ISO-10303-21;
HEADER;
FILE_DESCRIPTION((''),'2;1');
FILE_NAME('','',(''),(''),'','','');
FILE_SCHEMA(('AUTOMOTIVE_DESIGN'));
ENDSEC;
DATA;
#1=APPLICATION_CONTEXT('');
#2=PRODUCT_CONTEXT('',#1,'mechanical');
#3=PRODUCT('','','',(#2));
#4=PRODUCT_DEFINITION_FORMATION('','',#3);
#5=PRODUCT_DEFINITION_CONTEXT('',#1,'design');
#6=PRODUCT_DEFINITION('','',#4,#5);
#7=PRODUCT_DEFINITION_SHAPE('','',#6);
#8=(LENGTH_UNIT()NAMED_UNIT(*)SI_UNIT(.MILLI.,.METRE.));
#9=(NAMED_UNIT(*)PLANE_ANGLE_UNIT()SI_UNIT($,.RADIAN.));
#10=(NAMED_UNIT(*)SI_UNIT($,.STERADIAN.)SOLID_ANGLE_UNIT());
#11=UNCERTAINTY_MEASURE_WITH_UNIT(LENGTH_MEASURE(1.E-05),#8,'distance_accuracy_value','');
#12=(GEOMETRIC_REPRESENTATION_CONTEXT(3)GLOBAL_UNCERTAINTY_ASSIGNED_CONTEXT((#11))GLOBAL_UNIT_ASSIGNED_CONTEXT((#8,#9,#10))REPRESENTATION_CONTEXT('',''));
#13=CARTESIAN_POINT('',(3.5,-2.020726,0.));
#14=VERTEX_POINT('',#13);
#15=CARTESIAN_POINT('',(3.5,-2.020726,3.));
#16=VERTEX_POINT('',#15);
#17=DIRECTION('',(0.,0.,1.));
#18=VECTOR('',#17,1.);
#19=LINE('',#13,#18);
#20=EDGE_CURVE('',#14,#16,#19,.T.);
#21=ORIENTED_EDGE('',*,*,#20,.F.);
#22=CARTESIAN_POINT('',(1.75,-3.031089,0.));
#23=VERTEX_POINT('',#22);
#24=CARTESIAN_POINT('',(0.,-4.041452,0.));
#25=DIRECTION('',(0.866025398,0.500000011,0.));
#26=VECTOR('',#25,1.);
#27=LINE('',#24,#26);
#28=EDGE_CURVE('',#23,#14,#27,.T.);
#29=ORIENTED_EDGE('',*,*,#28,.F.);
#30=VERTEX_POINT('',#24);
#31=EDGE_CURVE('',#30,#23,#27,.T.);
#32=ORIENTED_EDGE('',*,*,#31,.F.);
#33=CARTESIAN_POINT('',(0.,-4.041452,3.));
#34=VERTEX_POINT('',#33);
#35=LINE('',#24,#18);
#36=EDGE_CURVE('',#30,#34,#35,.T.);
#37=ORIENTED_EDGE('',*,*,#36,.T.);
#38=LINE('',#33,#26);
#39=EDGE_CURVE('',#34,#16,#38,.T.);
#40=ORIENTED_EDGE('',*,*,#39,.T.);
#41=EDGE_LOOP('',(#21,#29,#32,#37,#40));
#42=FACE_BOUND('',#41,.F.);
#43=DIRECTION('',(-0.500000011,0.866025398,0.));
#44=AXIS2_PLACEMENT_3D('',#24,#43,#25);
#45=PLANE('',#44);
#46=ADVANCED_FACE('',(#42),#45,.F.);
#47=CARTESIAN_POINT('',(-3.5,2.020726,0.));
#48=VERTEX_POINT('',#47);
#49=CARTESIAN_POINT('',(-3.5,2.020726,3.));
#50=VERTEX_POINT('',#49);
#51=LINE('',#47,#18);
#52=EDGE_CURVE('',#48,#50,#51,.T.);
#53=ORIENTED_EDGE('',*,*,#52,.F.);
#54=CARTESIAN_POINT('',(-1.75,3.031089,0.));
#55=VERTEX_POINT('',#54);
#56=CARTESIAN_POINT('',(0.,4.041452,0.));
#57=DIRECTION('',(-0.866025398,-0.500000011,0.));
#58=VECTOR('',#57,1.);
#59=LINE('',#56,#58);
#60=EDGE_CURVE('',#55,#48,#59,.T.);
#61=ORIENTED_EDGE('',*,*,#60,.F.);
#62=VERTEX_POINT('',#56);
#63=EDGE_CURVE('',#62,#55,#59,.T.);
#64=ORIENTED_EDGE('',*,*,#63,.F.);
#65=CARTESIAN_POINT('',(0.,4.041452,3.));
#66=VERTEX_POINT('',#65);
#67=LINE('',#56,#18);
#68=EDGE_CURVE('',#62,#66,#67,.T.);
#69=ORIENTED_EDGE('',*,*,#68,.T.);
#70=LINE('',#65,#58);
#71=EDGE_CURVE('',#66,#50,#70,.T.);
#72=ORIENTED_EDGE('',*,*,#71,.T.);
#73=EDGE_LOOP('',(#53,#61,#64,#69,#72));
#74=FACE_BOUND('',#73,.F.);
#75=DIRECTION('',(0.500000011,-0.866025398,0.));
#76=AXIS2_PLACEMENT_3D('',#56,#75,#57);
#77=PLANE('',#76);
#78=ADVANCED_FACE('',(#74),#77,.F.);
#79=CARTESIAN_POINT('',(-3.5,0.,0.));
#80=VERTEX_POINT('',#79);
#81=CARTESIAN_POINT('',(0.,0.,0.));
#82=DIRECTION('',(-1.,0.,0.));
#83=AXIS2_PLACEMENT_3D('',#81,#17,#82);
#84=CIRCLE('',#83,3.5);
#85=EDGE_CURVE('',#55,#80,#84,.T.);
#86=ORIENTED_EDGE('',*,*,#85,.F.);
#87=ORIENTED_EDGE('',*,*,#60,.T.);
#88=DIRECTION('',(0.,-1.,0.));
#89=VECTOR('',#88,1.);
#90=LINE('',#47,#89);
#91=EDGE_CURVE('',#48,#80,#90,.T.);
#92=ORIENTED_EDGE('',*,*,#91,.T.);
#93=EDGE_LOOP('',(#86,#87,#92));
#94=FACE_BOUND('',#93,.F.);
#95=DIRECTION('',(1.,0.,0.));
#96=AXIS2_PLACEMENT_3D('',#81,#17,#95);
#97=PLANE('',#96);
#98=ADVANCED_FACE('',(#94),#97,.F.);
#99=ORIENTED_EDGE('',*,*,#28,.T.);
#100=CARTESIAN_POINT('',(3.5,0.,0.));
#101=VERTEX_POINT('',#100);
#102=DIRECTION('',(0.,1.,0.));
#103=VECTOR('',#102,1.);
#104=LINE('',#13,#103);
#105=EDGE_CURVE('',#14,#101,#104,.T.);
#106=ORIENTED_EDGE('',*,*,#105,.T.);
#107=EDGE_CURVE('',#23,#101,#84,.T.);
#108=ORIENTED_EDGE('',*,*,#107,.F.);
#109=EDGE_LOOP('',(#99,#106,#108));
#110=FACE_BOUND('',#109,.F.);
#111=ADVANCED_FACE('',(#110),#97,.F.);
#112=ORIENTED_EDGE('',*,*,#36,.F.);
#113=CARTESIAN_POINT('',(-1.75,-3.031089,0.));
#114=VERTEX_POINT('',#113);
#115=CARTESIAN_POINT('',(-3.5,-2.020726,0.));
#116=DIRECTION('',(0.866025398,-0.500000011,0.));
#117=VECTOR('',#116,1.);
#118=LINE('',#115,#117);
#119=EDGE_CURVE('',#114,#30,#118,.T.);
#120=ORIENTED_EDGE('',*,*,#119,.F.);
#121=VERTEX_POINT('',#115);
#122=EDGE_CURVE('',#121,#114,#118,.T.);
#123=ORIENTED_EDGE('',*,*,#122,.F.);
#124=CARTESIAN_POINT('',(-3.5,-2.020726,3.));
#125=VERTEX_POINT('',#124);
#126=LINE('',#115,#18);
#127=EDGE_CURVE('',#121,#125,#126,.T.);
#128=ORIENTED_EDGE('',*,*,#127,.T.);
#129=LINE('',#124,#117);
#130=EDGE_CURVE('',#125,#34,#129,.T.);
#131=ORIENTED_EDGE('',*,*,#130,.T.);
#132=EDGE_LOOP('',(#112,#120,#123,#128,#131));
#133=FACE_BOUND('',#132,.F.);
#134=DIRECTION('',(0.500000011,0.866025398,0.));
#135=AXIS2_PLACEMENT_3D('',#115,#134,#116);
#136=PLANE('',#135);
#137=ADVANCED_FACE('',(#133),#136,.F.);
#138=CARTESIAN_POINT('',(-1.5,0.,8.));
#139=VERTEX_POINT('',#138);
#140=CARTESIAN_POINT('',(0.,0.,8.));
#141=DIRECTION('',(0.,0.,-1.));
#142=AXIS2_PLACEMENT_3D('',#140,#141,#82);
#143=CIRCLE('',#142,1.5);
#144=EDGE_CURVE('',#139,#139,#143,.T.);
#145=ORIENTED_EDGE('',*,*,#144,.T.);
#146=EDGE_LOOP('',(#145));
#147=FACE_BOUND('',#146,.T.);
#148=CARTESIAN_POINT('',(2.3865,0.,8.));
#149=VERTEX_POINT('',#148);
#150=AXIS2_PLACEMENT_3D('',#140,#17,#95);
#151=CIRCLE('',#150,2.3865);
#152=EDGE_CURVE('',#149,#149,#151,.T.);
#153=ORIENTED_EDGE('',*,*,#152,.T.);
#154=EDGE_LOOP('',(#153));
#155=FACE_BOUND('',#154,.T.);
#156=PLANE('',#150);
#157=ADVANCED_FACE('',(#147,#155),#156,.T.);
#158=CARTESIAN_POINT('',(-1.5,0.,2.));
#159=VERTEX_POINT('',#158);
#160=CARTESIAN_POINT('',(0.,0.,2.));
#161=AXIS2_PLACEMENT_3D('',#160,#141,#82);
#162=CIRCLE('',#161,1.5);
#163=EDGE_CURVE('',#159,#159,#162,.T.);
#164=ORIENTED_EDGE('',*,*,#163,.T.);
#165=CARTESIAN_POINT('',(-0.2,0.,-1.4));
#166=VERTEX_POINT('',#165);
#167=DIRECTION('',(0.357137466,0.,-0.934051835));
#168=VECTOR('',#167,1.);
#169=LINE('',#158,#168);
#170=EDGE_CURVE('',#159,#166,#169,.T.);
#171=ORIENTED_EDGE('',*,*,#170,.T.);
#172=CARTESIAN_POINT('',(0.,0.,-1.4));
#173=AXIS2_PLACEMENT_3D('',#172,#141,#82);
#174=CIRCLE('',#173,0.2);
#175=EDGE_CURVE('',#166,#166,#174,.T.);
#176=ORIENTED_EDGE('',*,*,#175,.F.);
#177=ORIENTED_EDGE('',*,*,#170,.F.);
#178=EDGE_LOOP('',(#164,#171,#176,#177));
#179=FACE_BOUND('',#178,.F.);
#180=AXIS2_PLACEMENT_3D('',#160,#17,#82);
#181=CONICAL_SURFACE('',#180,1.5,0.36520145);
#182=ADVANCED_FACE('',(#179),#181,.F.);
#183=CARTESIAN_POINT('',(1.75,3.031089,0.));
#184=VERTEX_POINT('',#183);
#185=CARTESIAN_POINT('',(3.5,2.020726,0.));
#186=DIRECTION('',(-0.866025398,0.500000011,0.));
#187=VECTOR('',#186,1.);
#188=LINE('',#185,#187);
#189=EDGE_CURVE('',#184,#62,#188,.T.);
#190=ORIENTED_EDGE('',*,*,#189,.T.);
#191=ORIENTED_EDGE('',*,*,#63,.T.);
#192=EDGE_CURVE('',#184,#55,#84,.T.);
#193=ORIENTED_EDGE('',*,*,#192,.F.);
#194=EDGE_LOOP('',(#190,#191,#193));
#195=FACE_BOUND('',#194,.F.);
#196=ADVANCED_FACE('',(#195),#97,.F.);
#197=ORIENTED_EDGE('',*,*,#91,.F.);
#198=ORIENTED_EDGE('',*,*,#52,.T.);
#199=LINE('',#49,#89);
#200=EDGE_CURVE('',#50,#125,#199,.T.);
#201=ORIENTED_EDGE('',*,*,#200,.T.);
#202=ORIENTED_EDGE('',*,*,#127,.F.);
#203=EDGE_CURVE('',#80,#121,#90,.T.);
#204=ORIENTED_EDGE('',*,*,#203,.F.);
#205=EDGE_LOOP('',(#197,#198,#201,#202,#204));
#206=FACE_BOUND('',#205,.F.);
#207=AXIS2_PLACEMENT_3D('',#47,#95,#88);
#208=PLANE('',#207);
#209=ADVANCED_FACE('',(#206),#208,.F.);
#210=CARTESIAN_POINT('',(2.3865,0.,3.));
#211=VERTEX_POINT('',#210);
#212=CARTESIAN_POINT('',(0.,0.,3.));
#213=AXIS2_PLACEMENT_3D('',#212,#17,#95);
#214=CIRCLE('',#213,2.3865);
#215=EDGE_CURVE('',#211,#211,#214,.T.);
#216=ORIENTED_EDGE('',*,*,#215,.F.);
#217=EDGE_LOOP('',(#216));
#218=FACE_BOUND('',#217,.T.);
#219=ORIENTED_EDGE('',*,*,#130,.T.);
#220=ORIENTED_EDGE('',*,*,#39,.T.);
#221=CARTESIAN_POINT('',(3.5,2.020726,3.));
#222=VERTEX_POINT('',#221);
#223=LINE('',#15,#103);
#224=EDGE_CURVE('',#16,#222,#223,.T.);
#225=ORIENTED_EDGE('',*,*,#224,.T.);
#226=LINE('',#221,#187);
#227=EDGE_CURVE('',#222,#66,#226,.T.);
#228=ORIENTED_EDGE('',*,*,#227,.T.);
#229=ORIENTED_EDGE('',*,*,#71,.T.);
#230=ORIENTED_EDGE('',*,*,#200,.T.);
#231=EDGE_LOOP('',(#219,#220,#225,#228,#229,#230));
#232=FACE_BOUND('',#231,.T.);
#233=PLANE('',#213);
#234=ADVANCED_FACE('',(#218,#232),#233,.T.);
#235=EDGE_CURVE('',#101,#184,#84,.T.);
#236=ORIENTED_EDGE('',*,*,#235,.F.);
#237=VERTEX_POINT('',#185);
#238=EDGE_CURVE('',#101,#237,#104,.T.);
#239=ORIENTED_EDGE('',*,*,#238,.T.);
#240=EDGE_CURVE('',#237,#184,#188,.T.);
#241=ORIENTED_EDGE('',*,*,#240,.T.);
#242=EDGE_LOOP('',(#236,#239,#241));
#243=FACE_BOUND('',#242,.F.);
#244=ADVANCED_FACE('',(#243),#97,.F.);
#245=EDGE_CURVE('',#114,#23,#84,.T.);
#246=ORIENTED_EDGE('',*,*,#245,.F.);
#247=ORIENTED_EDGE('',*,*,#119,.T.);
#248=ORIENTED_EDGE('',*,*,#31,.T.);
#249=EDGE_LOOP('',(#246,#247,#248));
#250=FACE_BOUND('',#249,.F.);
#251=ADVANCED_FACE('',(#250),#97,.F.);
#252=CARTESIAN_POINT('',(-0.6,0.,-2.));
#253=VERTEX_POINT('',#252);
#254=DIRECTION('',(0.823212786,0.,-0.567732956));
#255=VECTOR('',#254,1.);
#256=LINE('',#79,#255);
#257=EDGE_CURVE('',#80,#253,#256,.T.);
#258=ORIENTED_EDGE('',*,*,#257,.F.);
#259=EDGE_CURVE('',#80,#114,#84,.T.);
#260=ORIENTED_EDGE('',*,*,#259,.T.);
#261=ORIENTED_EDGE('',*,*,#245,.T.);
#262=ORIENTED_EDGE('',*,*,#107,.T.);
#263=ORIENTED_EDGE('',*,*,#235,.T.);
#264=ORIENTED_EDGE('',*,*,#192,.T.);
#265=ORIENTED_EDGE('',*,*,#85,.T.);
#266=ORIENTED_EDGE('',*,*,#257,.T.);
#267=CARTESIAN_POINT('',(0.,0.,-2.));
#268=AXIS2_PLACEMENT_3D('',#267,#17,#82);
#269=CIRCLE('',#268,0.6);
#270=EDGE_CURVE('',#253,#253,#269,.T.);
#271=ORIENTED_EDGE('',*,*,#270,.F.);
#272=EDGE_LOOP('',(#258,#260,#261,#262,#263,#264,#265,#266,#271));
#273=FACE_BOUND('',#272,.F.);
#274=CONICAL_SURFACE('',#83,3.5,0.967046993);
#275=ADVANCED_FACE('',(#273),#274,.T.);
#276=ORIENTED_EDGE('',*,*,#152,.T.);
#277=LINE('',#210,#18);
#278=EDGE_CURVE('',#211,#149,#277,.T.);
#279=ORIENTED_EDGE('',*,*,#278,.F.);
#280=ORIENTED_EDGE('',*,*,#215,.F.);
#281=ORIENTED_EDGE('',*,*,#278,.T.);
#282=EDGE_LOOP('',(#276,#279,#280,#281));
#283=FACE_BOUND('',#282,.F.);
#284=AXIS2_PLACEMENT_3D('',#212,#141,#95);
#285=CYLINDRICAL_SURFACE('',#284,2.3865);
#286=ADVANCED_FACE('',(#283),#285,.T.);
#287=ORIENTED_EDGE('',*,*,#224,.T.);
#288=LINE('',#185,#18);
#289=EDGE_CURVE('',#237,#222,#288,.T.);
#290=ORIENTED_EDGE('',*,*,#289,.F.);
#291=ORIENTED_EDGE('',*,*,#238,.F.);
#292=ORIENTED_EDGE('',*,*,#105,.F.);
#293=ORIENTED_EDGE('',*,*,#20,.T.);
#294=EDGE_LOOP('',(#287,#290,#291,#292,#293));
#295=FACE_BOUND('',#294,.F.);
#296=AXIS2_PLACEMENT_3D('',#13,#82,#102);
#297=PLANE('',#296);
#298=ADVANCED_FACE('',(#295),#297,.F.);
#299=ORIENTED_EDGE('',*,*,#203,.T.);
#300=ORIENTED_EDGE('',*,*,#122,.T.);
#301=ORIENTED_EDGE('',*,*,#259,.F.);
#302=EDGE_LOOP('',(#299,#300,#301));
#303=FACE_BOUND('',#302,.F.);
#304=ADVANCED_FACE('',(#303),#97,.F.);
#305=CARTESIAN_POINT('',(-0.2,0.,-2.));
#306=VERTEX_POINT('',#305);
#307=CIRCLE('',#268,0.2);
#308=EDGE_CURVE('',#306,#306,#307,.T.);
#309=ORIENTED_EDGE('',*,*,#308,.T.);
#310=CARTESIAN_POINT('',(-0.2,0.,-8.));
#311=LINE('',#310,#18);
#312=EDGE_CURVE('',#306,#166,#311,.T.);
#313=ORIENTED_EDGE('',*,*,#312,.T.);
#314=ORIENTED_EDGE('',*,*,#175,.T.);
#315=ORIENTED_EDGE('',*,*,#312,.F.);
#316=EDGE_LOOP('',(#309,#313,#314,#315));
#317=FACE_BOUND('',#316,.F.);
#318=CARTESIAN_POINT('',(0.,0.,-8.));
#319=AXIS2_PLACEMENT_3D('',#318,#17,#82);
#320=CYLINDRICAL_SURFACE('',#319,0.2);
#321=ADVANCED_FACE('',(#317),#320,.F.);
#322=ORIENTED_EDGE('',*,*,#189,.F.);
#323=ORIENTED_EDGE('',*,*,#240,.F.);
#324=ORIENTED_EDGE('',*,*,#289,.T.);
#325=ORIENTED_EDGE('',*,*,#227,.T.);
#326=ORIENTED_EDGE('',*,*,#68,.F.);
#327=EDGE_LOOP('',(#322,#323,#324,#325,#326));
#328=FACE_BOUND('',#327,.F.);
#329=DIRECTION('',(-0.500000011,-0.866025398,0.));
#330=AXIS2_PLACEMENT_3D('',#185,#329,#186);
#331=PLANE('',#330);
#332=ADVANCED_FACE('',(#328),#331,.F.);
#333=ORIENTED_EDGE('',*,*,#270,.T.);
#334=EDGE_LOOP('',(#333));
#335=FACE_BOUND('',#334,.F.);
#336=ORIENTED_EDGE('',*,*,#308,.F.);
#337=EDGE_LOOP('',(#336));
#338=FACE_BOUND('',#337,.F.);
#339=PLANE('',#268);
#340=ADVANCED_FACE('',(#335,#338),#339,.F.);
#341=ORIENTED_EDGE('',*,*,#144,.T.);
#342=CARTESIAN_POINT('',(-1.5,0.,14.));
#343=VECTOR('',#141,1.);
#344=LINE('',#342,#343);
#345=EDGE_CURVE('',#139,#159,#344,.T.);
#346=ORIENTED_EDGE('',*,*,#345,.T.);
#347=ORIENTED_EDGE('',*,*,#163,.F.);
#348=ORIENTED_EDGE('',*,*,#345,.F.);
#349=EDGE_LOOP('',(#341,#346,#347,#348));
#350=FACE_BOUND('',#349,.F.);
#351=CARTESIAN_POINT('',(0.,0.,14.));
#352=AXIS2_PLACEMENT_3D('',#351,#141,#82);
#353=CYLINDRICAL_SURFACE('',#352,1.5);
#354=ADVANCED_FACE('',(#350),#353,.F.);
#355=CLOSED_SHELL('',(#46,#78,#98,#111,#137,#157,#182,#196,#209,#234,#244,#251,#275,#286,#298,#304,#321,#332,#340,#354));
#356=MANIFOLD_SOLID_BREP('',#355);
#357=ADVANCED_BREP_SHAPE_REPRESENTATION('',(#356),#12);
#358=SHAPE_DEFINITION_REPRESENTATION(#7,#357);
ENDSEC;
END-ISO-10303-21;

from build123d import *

# Parameters (mm, degrees)
F2_DEPTH  = 3
F3_R      = 2.3865
F4_DEPTH  = 5
F8_D      = 3
F8_DEPTH  = 6
F10_D     = 0.4
F10_DEPTH = 6


with BuildPart() as f2:
    # F1 (on Top) → F2 (new body)
    with BuildSketch(Plane.XY):
        Polygon((3.5, -2.020726), (3.5, 2.020726), (0, 4.041452), (-3.5, 2.020726), (-3.5, -2.020726), (0, -4.041452), align=None)
    extrude(amount=F2_DEPTH)

    # F3 (on face) → F4 (join)
    with BuildSketch(Plane.XY.offset(3)):
        Circle(F3_R)
    extrude(amount=F4_DEPTH)

    # F5 (on Front) → F6 (revolve)
    with BuildSketch(Plane.XZ):
        Polygon((0, -2), (0, 0), (-3.5, 0), (-0.6, -2), align=None)
    revolve(axis=Axis((0, 0, -1), (0, 0, 1)))

    # F8
    with Locations(Plane.XY.offset(8)):
        with Locations((0, 0)):
            Hole(F8_D / 2, depth=F8_DEPTH)

    # F10
    with Locations(Plane(origin=(0, 0, -2), x_dir=(1, 0, 0), z_dir=(0, 0, -1))):
        with Locations((0, 0)):
            Hole(F10_D / 2, depth=F10_DEPTH)

    # F11 (on Front) → F12 (revolve, cut)
    with BuildSketch(Plane.XZ):
        Polygon((0, 2), (-1.5, 2), (-0.2, -1.4), (0, -1.4), align=None)
    revolve(axis=Axis((0, 0, 0.3), (0, 0, -1)), mode=Mode.SUBTRACT)


solid = f2.part
